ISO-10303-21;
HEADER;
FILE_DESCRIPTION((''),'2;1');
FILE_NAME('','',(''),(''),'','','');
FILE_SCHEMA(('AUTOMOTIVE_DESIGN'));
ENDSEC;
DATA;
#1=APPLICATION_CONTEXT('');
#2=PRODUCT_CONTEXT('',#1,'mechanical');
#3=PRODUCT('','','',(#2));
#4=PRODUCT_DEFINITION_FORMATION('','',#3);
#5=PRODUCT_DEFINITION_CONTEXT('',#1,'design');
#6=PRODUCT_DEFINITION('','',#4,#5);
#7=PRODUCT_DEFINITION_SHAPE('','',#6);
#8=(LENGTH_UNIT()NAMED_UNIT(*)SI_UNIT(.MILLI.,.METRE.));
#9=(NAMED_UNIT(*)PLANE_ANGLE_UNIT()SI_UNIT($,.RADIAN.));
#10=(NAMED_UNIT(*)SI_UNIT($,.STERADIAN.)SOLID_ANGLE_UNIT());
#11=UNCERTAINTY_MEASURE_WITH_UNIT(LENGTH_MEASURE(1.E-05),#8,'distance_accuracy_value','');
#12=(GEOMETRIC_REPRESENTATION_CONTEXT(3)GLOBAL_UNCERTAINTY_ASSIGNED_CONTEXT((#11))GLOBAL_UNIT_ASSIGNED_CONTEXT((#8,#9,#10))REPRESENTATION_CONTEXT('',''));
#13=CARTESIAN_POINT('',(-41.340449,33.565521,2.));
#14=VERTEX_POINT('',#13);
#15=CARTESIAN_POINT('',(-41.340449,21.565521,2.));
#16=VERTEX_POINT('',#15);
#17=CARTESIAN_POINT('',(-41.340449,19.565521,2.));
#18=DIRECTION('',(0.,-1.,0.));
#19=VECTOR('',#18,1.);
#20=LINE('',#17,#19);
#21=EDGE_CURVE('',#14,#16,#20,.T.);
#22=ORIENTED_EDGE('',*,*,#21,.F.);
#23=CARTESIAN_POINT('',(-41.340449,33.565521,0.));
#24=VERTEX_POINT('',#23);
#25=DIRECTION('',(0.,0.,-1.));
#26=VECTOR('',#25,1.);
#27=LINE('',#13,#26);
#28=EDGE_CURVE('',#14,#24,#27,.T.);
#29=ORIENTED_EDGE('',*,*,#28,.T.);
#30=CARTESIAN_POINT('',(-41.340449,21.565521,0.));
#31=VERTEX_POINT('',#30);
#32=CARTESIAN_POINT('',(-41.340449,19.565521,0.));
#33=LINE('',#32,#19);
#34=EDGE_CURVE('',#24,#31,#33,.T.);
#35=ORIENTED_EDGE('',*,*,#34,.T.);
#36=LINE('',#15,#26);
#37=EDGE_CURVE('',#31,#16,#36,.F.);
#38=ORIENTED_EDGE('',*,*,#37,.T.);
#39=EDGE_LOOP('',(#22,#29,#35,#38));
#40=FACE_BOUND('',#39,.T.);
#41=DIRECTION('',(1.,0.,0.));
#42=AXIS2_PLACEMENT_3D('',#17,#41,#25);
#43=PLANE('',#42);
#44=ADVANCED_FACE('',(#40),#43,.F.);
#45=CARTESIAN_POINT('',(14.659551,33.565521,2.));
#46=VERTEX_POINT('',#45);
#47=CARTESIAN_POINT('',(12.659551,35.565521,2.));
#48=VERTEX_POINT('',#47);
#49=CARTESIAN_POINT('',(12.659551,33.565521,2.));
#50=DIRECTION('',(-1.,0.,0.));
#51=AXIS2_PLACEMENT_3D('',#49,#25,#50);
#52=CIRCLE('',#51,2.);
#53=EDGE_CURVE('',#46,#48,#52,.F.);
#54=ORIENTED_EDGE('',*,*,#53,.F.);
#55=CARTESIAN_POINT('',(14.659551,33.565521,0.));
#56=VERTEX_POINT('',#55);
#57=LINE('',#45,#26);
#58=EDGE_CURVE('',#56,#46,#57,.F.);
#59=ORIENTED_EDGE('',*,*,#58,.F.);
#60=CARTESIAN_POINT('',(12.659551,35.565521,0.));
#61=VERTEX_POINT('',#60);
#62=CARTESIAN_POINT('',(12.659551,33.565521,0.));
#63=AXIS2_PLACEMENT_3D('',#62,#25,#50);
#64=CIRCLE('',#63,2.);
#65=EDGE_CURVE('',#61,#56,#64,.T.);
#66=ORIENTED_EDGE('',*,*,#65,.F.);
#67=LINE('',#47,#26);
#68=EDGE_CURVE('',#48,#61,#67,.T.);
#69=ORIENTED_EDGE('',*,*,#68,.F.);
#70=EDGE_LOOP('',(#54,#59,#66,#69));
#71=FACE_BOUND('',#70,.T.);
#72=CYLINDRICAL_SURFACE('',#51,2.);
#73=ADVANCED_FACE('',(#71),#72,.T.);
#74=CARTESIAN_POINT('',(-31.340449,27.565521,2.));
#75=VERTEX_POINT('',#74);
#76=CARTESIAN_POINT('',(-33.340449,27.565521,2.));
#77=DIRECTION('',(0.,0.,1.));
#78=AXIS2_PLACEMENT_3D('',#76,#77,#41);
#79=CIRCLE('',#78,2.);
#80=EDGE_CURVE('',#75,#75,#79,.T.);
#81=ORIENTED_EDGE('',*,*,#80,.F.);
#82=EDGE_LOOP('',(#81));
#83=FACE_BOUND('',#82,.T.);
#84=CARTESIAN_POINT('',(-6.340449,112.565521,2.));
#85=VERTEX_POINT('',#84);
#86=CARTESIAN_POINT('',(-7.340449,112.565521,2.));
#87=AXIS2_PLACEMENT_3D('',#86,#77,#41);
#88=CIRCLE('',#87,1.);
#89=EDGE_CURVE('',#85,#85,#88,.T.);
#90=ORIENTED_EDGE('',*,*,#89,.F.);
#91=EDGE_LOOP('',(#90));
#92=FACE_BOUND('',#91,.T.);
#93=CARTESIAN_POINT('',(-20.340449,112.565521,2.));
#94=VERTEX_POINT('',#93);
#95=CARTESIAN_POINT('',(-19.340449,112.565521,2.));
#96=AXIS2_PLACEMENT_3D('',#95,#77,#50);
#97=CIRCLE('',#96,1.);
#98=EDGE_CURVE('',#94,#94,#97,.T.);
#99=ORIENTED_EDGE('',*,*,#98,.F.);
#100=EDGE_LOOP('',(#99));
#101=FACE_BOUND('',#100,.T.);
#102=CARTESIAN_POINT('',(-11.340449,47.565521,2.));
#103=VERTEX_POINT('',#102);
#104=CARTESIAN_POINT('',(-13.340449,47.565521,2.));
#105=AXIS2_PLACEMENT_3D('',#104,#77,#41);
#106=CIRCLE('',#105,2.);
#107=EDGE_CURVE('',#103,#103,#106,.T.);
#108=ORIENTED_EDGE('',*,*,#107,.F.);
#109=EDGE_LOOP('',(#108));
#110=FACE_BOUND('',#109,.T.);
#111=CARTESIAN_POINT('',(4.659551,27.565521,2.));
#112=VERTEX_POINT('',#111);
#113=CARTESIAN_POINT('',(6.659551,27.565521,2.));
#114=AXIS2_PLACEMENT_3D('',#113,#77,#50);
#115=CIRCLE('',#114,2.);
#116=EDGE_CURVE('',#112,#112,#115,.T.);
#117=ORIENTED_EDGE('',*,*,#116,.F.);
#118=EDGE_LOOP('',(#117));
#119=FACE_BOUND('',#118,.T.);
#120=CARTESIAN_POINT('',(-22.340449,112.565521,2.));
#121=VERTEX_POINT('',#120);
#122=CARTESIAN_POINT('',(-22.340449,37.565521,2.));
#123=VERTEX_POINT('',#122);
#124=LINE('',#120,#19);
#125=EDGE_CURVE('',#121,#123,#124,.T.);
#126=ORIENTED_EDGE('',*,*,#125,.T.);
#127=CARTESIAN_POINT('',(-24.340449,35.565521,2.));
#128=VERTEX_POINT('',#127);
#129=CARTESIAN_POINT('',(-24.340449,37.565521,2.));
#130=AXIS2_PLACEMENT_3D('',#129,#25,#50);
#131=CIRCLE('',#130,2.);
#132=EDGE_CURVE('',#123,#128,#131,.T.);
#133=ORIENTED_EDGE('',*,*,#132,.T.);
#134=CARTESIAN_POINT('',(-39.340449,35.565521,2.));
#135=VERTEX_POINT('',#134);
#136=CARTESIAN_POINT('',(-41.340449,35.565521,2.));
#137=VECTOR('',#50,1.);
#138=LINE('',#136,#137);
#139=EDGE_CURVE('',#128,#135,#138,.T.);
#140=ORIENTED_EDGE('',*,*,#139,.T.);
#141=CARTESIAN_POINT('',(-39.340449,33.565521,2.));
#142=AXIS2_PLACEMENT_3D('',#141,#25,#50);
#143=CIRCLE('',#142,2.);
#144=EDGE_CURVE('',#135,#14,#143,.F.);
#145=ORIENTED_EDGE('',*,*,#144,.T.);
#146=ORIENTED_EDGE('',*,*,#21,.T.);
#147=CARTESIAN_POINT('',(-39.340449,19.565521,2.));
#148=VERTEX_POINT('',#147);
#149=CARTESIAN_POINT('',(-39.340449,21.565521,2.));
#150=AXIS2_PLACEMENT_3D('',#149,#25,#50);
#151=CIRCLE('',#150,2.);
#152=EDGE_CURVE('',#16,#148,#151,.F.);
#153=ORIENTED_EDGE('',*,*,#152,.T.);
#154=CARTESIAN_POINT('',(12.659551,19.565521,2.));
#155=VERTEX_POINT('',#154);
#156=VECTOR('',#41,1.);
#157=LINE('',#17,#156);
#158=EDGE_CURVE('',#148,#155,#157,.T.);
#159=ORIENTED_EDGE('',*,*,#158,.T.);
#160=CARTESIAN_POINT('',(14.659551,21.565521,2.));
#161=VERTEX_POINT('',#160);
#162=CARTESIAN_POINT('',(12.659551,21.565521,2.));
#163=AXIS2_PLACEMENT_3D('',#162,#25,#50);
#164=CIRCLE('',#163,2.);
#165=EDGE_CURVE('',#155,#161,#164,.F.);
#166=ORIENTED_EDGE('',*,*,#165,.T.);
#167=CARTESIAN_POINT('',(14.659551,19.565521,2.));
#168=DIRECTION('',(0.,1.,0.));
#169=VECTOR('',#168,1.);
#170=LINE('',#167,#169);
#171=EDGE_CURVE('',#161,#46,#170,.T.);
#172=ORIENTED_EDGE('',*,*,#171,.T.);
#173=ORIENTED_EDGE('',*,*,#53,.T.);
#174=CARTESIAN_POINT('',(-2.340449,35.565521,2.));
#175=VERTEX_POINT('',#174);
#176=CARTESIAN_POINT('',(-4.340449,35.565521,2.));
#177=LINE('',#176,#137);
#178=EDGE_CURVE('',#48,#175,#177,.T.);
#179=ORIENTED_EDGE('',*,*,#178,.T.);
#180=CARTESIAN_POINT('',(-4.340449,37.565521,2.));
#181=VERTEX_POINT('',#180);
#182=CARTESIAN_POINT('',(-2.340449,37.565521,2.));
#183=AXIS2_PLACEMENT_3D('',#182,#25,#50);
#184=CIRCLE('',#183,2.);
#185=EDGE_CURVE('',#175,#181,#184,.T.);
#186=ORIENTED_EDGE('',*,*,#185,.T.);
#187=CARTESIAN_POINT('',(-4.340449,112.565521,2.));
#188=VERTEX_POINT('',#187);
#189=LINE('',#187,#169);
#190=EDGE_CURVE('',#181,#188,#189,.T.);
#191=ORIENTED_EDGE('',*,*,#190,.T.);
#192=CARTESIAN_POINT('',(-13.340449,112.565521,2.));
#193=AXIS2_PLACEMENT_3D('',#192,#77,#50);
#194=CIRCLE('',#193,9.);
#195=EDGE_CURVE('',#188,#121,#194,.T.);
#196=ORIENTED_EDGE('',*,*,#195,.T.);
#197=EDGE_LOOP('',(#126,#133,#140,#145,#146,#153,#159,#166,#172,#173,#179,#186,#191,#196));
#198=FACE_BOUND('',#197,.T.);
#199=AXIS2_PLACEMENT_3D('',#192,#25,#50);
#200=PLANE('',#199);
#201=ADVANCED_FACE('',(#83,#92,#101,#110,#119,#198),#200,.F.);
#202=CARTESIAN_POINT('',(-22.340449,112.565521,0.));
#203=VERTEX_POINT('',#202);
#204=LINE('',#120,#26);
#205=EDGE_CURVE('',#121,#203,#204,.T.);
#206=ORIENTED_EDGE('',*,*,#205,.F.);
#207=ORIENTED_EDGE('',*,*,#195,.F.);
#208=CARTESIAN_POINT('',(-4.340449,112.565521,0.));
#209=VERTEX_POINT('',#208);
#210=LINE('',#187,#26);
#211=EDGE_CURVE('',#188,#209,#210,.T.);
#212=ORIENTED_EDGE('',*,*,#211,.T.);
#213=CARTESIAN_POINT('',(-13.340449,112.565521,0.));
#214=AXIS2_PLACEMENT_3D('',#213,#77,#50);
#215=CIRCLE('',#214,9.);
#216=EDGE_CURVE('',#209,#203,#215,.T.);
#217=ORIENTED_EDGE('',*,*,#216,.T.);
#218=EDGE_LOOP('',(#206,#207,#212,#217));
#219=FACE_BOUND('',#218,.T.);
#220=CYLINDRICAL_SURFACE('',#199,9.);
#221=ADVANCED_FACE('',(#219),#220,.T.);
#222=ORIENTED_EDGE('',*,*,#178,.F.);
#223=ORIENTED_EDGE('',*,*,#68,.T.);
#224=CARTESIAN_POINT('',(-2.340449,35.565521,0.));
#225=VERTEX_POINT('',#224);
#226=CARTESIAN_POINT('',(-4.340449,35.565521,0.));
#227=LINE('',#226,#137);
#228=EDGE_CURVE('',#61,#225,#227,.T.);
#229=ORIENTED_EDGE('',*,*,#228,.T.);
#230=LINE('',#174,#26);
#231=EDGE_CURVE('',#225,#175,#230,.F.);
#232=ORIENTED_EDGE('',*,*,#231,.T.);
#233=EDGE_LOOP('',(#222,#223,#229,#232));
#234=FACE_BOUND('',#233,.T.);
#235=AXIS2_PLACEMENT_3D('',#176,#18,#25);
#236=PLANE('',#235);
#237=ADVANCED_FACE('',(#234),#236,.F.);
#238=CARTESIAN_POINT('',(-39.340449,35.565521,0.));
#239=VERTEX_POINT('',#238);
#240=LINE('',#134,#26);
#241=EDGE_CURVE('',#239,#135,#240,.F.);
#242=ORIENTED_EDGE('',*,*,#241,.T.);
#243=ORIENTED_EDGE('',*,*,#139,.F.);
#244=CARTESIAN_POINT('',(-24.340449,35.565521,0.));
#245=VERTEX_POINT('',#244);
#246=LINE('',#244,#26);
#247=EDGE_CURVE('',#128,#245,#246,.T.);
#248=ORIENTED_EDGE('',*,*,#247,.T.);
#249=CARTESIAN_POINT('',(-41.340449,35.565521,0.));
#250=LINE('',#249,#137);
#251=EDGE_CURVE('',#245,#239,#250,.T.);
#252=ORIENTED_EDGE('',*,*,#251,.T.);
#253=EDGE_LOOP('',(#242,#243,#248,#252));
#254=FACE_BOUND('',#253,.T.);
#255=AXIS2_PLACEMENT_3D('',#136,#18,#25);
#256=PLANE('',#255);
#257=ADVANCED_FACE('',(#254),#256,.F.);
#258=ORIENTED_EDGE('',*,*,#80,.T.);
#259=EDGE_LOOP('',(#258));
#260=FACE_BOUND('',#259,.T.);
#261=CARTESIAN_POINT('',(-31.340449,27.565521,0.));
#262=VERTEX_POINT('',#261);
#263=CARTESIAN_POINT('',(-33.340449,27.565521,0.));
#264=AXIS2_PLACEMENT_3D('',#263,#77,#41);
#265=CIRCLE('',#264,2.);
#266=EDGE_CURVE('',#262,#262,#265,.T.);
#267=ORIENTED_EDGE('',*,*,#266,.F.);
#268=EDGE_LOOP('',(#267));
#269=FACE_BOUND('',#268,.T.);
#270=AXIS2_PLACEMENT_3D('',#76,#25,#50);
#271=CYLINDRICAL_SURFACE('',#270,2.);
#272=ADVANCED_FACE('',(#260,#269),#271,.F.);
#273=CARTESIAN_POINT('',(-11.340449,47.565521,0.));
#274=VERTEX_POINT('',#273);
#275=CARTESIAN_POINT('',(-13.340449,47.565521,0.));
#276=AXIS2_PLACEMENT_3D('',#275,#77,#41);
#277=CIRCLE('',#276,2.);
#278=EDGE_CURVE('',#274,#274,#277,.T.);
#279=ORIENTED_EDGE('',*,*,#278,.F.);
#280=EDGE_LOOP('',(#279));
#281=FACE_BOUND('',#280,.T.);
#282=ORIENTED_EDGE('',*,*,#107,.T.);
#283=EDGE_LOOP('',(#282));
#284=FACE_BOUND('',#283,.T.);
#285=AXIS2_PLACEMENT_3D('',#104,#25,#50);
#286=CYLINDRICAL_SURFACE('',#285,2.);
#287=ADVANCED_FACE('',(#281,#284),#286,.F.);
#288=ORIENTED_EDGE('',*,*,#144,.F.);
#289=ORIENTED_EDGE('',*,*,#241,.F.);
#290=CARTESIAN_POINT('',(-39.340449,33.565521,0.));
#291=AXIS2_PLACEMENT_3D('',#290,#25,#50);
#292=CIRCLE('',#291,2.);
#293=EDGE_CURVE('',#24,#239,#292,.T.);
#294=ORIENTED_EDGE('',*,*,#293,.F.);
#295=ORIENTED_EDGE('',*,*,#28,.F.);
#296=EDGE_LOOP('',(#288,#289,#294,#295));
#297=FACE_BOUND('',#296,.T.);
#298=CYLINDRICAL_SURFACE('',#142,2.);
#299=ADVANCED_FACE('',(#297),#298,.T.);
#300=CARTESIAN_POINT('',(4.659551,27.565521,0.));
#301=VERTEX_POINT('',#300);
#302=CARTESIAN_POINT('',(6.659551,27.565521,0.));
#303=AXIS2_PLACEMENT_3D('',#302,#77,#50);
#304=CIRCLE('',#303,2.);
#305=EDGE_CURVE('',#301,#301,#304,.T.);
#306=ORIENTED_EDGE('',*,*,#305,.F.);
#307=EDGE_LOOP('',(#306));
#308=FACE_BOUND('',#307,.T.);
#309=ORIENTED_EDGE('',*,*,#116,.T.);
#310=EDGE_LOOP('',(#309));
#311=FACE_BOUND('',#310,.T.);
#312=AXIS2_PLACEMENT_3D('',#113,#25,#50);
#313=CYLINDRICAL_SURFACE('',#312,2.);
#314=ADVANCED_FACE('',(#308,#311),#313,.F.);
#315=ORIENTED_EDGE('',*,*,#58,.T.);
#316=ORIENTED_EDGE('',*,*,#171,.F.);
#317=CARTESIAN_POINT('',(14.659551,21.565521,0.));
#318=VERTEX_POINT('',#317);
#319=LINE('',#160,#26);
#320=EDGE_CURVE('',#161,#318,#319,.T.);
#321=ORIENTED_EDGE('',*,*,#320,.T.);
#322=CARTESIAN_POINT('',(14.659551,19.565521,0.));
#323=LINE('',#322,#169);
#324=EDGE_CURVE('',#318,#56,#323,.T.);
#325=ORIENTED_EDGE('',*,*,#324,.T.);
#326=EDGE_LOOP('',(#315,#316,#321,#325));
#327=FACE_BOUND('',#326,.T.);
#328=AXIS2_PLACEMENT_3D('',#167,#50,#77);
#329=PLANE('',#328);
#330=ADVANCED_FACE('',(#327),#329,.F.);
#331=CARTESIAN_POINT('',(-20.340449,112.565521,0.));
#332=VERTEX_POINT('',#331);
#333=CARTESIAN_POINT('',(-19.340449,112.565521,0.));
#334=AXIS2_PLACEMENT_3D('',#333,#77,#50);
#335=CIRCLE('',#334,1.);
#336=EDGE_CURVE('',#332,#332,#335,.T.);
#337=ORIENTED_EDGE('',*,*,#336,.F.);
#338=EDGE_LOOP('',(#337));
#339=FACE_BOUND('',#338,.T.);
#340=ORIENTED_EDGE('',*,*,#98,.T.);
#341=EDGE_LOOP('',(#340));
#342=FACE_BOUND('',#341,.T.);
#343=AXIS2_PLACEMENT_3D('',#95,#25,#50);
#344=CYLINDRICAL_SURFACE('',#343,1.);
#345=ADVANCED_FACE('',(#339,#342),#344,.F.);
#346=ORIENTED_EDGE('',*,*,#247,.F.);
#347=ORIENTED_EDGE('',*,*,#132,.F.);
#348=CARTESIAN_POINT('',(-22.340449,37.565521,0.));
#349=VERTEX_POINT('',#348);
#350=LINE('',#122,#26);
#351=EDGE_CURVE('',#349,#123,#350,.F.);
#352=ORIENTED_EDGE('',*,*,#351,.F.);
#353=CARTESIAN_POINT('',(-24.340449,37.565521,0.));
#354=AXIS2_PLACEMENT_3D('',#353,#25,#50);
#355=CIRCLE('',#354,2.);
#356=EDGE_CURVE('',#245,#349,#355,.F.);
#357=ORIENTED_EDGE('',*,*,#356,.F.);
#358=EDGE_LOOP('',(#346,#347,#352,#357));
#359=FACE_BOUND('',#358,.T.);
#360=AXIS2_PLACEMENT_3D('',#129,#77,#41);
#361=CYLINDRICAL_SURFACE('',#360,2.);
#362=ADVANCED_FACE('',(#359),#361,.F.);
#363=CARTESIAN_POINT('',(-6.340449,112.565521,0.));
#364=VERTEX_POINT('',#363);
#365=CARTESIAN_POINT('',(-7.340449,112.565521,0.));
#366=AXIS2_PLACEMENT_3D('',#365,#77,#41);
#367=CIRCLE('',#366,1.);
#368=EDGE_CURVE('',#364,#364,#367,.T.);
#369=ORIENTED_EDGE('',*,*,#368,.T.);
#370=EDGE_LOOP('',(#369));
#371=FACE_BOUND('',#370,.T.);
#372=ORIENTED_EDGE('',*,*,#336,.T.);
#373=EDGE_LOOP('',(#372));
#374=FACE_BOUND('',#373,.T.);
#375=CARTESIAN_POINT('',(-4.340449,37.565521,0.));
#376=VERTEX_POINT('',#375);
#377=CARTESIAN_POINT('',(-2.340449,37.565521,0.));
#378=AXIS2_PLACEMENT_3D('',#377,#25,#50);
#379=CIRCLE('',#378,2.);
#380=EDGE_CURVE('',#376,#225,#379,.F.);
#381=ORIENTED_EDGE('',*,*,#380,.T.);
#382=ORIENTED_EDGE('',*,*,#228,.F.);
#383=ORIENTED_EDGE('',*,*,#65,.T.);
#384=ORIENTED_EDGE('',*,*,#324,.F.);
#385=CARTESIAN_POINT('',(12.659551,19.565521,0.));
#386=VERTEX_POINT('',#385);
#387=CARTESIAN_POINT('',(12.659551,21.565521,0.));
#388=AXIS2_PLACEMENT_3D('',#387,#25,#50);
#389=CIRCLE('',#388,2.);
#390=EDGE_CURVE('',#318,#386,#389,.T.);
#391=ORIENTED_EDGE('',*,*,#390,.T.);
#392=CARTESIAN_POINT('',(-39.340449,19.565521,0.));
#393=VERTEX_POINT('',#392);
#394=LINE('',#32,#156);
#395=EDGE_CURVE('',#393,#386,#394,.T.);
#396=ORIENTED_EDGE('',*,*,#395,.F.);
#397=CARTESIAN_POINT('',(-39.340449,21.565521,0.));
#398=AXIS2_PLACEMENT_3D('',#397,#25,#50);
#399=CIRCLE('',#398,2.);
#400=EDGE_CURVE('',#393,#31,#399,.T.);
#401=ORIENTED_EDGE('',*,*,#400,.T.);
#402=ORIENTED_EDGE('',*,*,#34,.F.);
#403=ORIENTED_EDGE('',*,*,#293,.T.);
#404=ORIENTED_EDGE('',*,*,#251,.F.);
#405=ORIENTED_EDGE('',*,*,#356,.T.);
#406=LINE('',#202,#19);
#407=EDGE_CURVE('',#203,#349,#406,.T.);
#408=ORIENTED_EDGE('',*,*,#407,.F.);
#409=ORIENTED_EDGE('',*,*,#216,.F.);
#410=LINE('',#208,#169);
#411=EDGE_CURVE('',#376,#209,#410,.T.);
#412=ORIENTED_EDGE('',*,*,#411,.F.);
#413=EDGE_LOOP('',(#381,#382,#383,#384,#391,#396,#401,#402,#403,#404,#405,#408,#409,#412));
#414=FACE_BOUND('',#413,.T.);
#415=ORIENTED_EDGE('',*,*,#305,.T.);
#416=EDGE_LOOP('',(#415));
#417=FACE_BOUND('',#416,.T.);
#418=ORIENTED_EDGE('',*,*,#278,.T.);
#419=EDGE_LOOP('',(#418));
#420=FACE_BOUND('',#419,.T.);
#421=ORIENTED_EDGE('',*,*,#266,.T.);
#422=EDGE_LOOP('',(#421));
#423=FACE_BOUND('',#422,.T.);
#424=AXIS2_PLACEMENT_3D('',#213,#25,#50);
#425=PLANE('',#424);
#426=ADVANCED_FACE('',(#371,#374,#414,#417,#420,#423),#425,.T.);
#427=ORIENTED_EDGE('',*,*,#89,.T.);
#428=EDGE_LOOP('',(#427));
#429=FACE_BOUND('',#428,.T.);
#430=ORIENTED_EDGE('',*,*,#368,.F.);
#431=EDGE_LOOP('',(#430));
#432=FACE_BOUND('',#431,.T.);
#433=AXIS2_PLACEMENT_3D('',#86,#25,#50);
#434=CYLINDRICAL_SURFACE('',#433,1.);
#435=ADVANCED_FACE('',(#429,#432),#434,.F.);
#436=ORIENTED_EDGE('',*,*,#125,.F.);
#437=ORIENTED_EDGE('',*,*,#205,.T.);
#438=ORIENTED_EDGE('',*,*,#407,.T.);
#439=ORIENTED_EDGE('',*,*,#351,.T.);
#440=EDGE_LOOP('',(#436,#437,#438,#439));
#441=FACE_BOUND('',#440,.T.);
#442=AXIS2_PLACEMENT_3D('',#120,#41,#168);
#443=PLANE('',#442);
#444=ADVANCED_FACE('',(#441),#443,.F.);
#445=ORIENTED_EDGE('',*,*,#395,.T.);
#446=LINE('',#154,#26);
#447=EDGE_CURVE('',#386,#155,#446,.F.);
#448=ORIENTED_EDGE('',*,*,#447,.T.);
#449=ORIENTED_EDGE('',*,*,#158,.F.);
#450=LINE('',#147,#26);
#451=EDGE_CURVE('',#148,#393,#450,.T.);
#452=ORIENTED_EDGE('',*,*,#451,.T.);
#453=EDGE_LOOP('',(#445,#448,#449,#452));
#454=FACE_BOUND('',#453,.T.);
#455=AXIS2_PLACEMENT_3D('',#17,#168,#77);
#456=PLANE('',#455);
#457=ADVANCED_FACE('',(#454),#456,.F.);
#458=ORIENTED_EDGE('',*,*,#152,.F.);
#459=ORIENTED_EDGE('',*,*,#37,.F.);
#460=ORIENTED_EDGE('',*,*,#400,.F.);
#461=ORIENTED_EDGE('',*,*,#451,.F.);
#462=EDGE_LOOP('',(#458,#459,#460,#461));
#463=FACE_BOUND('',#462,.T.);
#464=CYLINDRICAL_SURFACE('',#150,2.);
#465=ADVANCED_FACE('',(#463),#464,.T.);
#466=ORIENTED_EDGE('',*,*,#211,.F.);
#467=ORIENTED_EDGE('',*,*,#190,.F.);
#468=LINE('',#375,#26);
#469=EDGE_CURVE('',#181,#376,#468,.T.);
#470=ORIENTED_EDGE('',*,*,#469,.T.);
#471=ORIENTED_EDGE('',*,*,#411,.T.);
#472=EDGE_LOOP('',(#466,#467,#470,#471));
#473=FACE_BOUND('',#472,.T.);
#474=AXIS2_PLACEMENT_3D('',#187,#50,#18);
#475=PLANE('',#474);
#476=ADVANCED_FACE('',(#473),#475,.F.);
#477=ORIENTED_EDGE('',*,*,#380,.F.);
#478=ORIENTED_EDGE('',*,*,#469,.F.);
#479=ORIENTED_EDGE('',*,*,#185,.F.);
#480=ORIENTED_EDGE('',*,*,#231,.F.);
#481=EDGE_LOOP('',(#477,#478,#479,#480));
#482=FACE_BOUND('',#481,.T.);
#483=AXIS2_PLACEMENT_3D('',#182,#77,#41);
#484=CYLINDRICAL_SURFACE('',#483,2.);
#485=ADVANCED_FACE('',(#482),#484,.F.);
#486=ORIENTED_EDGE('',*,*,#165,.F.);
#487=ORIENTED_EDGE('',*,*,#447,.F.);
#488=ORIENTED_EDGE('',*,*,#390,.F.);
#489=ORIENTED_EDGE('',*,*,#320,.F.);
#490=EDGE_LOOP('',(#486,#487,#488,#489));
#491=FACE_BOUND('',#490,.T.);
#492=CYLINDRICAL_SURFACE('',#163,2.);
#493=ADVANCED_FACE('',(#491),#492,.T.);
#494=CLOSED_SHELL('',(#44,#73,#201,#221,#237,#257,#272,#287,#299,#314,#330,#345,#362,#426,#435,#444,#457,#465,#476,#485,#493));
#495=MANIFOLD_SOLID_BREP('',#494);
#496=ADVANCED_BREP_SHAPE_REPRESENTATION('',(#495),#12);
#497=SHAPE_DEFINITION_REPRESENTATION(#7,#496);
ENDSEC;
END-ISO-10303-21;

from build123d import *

# Parameters (mm, degrees)
SKETCH_1_R      = 2
SKETCH_1_R_2    = 1
EXTRUDE_1_DEPTH = 2
FILLET_1_R      = 2


with BuildPart() as part:
    # 草图1 → 凸台-拉伸1 (new body)
    with BuildSketch(Plane.XY):
        with BuildLine():
            Line((-22.340449028, 112.565520938), (-22.340449028, 35.565520938))
            Line((-22.340449028, 35.565520938), (-41.340449028, 35.565520938))
            Line((-41.340449028, 35.565520938), (-41.340449028, 19.565520938))
            Line((-41.340449028, 19.565520938), (14.659550972, 19.565520938))
            Line((14.659550972, 19.565520938), (14.659550972, 35.565520938))
            Line((14.659550972, 35.565520938), (-4.340449028, 35.565520938))
            Line((-4.340449028, 35.565520938), (-4.340449028, 112.565520938))
            ThreePointArc((-4.340449028, 112.565520938), (-13.340449028, 121.565520938), (-22.340449028, 112.565520938))
        make_face()
        with Locations((-33.340449028, 27.565520938)):
            Circle(SKETCH_1_R, mode=Mode.SUBTRACT)
        with Locations(Location((6.659550972, 27.565520938, 0), (0, 0, 180))):
            Circle(SKETCH_1_R, mode=Mode.SUBTRACT)
        with Locations((-7.340449028, 112.565520938)):
            Circle(SKETCH_1_R_2, mode=Mode.SUBTRACT)
        with Locations(Location((-19.340449028, 112.565520938, 0), (0, 0, 180))):
            Circle(SKETCH_1_R_2, mode=Mode.SUBTRACT)
        with Locations((-13.340449028, 47.565520938)):
            Circle(SKETCH_1_R, mode=Mode.SUBTRACT)
    extrude(amount=EXTRUDE_1_DEPTH)

    # 圆角1
    fillet_1_edges = [part.edges().sort_by_distance(p)[0] for p in [
        (-41.340449028, 19.565520938, 1),
        (-41.340449028, 35.565520938, 1),
        (-22.340449028, 35.565520938, 1),
        (-4.340449028, 35.565520938, 1),
        (14.659550972, 35.565520938, 1),
        (14.659550972, 19.565520938, 1),
    ]]
    fillet(fillet_1_edges, radius=FILLET_1_R)


solid = part.part
